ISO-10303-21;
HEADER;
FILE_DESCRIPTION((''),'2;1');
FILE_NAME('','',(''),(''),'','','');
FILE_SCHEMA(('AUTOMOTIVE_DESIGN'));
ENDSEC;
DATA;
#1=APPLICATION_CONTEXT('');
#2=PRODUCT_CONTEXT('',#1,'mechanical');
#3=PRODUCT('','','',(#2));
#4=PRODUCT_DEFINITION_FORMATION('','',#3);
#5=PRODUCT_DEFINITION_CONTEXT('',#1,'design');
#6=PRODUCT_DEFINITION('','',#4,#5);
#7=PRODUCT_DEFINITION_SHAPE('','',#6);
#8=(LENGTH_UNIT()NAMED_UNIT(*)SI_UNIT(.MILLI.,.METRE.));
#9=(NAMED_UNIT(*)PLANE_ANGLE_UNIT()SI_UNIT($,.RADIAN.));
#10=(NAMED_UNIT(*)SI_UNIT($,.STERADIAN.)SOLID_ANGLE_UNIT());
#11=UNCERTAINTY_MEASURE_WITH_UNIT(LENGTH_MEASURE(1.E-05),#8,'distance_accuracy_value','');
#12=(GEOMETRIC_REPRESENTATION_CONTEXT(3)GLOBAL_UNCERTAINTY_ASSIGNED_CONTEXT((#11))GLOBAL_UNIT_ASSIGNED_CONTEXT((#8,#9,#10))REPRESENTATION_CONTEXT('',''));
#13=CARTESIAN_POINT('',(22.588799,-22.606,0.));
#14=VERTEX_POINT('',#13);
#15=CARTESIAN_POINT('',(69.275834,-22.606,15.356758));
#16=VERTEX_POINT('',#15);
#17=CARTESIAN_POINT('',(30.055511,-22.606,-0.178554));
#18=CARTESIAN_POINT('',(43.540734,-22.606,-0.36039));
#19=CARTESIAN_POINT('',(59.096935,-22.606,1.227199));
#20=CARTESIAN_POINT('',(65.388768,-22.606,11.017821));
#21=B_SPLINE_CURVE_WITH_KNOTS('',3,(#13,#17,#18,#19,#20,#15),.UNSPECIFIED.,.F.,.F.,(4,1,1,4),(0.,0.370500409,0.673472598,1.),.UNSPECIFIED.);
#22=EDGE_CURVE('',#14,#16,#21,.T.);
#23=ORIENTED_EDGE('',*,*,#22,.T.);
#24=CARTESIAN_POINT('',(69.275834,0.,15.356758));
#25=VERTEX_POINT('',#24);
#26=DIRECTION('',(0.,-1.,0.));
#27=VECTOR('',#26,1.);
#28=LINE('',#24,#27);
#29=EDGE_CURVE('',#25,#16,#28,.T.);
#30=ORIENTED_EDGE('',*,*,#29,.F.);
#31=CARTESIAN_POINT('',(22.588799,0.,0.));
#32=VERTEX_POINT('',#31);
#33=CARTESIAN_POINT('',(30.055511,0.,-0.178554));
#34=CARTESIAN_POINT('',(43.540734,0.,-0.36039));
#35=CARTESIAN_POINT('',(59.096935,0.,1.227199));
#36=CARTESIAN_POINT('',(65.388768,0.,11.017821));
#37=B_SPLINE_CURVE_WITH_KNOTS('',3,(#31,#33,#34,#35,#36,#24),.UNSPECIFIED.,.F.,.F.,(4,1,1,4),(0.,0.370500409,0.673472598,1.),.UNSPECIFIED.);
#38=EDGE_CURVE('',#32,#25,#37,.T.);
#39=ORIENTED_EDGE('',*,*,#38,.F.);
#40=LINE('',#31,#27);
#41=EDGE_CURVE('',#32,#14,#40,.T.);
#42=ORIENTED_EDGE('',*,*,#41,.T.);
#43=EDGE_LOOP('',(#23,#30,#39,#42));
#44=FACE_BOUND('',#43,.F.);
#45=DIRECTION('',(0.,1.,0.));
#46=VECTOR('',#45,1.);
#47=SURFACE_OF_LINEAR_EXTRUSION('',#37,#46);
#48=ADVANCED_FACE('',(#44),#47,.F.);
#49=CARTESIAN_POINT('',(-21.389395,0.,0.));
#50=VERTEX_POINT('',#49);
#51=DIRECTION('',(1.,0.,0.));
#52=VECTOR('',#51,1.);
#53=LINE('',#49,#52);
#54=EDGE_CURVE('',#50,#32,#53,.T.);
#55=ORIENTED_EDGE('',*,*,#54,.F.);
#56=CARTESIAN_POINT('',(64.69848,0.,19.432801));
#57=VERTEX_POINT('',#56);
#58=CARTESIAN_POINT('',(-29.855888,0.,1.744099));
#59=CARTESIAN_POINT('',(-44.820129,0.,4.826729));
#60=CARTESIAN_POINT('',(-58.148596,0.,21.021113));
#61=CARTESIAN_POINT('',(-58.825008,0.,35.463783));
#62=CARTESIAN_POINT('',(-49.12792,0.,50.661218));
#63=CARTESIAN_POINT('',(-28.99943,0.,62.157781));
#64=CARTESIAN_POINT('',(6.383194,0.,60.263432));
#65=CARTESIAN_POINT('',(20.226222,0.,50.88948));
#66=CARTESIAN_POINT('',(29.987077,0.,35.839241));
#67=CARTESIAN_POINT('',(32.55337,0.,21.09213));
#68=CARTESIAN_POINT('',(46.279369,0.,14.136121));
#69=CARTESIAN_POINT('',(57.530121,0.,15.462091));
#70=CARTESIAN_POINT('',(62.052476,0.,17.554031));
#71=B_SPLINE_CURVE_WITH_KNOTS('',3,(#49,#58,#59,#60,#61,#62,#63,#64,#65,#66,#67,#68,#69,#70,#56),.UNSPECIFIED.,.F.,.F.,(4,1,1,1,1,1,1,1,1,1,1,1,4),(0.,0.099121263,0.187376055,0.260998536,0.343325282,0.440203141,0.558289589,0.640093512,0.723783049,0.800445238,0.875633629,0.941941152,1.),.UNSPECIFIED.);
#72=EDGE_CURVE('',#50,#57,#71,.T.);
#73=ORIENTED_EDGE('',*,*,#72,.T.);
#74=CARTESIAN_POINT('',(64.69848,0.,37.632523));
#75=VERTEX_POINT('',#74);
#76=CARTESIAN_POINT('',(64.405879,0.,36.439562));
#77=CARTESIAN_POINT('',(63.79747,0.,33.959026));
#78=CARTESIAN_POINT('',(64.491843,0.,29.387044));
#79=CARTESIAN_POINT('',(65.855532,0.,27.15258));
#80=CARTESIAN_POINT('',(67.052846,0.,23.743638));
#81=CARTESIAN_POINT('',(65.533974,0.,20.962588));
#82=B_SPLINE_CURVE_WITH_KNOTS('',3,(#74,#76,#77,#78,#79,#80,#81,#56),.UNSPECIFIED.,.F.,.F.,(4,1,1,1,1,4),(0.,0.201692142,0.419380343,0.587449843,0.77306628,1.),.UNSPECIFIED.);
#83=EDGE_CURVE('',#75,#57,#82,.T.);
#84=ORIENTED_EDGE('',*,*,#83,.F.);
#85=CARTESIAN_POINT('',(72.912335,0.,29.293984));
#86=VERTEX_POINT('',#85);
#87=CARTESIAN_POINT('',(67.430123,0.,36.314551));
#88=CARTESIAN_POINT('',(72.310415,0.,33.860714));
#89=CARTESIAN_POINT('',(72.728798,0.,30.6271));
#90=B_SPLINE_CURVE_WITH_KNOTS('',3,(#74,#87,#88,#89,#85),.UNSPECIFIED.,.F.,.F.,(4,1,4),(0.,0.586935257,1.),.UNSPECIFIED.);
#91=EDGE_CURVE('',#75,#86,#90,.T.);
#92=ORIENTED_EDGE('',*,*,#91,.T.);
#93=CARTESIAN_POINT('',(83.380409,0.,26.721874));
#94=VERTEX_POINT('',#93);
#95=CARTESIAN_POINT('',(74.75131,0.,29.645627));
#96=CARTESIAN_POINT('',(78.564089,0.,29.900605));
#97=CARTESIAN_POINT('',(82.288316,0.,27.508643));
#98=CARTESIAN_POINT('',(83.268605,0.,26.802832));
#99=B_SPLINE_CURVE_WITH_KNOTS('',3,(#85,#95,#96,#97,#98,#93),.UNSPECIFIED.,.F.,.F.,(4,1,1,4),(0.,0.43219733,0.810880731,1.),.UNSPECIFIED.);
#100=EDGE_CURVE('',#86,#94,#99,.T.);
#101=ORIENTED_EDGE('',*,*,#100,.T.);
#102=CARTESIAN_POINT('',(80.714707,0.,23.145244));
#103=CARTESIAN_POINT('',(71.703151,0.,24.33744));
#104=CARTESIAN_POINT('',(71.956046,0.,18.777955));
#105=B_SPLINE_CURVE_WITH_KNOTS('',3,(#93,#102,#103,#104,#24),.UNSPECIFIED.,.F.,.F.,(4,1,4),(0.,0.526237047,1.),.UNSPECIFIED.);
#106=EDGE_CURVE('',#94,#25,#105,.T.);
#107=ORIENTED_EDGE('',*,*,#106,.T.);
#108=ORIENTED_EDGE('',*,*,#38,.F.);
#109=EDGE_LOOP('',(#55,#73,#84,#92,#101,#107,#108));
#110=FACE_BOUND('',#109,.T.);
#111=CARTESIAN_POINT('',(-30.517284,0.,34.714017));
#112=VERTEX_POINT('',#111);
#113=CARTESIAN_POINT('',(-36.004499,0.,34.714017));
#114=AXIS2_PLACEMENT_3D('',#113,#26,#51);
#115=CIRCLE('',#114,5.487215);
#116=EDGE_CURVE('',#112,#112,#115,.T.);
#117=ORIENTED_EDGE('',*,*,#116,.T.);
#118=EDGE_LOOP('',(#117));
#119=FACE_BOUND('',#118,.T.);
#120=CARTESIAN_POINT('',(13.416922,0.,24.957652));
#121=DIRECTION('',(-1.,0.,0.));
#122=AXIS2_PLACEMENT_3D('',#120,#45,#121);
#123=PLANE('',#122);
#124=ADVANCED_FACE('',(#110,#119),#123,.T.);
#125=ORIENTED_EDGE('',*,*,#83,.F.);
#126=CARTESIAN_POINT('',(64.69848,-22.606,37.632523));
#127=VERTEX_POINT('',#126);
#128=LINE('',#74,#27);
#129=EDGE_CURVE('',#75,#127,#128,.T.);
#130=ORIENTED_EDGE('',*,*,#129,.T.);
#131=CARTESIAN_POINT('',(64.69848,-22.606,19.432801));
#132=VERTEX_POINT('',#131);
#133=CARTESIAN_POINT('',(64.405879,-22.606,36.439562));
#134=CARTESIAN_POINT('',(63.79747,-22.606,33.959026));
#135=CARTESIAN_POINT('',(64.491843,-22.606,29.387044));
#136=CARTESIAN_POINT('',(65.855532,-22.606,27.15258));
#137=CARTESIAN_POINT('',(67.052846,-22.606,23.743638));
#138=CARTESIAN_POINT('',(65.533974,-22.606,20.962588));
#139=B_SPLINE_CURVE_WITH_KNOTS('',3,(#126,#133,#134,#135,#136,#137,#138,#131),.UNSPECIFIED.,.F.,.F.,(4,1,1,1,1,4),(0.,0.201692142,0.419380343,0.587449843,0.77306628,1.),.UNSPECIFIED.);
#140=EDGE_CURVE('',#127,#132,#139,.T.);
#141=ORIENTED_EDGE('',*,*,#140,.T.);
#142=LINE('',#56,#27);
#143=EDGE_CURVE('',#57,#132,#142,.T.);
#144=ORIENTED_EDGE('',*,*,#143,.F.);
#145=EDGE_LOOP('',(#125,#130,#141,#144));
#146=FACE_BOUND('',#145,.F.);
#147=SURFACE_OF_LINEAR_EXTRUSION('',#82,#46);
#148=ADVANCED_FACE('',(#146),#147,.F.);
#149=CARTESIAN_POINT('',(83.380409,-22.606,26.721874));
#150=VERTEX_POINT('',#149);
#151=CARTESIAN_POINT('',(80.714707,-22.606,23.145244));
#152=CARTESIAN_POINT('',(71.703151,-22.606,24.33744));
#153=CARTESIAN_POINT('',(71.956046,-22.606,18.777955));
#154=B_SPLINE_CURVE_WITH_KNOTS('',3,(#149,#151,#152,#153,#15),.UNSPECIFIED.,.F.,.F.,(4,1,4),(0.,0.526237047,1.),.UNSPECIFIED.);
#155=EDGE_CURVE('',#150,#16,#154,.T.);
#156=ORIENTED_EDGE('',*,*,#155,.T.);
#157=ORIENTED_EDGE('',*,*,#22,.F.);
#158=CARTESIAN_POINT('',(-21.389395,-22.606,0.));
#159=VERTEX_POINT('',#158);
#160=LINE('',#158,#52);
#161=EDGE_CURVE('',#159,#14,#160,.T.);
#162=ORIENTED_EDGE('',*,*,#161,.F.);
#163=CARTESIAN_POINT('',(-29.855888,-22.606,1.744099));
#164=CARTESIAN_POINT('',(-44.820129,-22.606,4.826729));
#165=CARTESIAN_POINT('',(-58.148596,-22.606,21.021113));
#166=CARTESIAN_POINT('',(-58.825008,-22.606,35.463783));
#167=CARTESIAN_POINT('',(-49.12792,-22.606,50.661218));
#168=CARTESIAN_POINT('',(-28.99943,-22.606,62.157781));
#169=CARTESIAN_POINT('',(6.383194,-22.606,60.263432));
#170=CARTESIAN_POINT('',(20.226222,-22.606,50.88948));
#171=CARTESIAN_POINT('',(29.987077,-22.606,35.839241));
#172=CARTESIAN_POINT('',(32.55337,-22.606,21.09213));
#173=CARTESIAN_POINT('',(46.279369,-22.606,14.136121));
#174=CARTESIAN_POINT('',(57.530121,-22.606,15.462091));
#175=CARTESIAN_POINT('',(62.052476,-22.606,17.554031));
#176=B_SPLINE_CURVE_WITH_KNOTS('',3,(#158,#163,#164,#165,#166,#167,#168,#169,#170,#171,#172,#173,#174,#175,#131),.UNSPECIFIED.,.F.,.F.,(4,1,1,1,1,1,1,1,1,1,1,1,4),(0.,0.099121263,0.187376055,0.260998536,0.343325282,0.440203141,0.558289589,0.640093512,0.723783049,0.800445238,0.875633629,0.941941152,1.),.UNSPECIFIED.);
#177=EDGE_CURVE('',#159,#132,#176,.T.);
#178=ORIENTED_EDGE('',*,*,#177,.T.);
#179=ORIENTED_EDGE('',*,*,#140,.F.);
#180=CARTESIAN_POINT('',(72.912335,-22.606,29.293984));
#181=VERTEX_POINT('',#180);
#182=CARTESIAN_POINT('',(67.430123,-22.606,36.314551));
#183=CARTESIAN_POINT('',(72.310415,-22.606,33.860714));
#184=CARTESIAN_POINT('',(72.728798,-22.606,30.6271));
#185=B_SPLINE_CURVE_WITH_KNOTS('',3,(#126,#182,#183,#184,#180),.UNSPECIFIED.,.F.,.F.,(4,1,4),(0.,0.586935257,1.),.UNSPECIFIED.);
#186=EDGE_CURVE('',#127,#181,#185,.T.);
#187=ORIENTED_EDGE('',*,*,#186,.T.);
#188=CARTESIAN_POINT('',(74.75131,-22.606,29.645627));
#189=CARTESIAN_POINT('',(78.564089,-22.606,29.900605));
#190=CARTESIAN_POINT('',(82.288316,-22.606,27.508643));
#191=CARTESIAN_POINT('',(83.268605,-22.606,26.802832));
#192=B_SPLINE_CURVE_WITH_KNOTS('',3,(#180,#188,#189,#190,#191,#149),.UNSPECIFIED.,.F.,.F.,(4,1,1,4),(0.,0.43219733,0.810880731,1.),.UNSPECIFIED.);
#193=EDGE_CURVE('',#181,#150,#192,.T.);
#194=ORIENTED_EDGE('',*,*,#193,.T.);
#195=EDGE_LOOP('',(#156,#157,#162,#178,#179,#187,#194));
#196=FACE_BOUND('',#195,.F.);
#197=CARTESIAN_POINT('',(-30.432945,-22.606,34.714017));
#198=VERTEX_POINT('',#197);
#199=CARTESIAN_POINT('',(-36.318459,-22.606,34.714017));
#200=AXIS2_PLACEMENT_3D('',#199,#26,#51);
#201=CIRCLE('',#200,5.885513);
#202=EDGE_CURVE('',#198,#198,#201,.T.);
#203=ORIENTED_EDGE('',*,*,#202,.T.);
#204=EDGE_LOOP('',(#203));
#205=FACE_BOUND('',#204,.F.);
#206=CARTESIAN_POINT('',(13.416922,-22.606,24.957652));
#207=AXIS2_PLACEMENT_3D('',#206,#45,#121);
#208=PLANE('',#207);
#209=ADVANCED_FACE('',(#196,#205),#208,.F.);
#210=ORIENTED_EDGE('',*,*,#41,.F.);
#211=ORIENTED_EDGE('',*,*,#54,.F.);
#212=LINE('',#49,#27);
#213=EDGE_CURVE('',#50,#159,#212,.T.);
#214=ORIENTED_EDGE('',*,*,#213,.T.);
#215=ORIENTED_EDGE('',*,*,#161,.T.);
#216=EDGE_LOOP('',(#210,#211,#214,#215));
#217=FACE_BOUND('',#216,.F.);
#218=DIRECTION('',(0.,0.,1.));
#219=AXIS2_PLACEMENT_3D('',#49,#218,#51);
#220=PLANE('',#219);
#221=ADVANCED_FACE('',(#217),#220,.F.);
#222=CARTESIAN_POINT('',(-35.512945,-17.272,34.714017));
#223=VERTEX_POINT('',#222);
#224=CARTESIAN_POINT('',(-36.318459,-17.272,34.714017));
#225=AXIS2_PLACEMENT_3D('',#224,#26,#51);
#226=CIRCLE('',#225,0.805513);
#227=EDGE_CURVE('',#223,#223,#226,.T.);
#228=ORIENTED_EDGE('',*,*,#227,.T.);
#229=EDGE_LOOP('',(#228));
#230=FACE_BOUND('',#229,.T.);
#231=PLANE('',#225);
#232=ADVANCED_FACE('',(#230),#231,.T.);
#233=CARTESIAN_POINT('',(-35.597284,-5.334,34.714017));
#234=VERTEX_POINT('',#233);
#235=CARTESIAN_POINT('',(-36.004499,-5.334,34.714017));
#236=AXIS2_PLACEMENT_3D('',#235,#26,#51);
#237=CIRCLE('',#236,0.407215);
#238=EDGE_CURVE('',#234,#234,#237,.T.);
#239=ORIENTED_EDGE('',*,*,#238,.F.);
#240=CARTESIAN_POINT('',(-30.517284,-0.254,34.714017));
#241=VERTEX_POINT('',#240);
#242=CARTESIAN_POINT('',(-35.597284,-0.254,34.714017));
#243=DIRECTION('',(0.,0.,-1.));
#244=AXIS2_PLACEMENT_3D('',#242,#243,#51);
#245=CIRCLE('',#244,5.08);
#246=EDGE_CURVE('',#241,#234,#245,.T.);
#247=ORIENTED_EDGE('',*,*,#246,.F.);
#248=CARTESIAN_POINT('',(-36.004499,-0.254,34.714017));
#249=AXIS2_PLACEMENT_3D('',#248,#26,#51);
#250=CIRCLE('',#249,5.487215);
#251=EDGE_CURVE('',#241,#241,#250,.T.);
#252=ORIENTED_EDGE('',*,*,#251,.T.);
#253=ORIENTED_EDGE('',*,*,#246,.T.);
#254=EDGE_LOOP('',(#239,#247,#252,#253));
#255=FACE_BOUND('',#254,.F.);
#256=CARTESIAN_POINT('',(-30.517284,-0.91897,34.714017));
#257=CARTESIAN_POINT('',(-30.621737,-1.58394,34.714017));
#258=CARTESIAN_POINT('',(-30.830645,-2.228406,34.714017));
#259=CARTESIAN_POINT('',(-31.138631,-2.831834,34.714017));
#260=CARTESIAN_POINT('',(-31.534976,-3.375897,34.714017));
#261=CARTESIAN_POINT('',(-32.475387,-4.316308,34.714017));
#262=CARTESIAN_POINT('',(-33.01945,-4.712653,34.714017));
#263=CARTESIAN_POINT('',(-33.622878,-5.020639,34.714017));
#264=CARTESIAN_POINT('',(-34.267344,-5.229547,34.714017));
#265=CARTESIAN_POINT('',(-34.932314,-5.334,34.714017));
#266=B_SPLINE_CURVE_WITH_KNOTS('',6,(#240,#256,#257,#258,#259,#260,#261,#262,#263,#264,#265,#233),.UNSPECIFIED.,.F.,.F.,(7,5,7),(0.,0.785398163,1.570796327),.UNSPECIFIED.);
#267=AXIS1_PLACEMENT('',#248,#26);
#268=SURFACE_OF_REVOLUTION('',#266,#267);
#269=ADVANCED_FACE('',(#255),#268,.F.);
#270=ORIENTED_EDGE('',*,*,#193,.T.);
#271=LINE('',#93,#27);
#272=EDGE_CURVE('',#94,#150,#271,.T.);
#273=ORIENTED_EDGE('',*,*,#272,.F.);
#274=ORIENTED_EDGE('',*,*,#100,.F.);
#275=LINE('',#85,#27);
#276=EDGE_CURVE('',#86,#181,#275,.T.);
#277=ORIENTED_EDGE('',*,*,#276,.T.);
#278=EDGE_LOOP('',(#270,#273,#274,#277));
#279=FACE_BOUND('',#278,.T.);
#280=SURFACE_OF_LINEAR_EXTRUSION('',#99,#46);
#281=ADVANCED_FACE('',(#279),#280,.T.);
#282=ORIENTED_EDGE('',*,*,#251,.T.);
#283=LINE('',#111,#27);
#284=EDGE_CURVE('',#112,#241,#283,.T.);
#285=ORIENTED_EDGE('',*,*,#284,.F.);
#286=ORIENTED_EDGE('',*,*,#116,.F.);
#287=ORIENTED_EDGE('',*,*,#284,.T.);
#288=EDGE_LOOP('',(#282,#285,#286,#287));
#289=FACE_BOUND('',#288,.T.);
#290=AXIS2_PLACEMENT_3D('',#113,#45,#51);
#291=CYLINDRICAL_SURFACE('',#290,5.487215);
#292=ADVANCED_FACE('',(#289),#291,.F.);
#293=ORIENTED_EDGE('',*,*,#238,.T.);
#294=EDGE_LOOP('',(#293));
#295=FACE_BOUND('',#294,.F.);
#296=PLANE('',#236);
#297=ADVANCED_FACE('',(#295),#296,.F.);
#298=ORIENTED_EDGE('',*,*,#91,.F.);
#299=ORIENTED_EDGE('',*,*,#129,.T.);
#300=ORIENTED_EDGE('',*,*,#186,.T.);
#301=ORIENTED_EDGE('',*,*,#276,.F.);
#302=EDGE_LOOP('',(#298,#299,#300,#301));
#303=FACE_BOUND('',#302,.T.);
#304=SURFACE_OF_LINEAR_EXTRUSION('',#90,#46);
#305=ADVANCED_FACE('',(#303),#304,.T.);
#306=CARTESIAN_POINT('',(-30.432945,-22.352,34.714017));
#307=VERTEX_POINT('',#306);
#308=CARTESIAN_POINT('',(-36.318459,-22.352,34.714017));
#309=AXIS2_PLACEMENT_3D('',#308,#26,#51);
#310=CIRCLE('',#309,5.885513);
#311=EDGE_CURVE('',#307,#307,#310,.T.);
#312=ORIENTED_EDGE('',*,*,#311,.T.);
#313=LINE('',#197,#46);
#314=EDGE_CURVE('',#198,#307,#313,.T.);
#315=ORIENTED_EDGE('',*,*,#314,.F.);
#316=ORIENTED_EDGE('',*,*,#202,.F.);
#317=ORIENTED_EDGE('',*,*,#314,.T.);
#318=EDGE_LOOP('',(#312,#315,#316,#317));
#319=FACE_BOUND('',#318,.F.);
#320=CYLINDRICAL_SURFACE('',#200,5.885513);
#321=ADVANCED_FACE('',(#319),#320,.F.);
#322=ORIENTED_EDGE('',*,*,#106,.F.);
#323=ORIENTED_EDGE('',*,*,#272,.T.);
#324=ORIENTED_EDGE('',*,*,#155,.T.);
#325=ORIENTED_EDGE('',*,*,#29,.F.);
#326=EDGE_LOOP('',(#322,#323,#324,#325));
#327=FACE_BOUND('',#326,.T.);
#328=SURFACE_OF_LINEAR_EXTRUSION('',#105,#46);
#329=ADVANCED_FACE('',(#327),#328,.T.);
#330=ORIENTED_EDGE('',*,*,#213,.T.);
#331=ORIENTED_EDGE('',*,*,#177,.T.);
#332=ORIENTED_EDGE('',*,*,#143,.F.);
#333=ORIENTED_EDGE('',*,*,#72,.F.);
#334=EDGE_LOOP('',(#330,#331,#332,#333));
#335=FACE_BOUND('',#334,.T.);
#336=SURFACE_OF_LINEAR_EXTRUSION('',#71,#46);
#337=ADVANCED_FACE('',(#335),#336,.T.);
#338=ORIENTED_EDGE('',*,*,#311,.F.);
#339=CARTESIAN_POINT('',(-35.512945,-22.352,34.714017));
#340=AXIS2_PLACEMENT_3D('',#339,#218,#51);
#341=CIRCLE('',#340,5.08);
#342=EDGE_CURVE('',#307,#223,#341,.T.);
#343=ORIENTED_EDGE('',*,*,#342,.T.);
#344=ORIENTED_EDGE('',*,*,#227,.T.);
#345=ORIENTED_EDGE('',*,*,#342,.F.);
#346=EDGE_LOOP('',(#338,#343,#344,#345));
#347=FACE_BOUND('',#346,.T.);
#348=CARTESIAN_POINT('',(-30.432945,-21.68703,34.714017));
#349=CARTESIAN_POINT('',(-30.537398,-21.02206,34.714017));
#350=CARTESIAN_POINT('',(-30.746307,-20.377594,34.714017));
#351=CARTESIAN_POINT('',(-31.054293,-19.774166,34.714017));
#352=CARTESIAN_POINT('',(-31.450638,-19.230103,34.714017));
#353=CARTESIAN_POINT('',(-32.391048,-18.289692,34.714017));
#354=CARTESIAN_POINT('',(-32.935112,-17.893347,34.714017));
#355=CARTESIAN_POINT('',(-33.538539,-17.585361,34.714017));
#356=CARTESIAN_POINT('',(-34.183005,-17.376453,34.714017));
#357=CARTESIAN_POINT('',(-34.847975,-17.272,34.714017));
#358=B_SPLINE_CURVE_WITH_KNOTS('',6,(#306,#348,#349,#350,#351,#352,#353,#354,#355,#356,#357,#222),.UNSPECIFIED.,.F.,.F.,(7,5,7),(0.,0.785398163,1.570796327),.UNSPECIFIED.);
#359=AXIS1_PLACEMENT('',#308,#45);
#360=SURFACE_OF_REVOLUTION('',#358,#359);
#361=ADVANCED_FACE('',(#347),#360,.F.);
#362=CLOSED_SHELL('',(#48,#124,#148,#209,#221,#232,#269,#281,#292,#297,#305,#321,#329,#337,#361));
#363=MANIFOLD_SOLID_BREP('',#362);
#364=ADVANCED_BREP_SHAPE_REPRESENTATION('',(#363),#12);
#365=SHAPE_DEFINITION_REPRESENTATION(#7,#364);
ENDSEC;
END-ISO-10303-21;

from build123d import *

# Parameters (mm, degrees)
F2_DEPTH = 22.606
F1_R     = 5.4872146103
F3_DEPTH = 5.334
F4_R     = 5.8855134318
F5_DEPTH = 5.334
F6_R     = 5.08


with BuildPart() as f2:
    # F0 (on Front) → F2 (new body)
    with BuildSketch(Plane.XZ):
        with BuildLine():
            add(Edge.make_bspline(
                [(-21.3893949986, 0), (-29.8558876356, 1.7440990172), (-44.8201286511, 4.8267289382), (-58.1485958076, 21.0211129509), (-58.8250075345, 35.463783339), (-49.1279198809, 50.6612182509), (-28.9994300098, 62.1577812938), (6.3831936581, 60.2634319806), (20.2262222776, 50.8894796309), (29.9870765203, 35.8392411079), (32.55337013, 21.0921297315), (46.2793685021, 14.136121022), (57.5301206398, 15.4620906271), (62.0524756017, 17.554031261), (64.6984800696, 19.4328007384)],
                knots=[0, 0, 0, 0, 0.0991212632, 0.187376055, 0.2609985361, 0.3433252819, 0.4402031409, 0.5582895887, 0.6400935122, 0.7237830492, 0.8004452382, 0.8756336289, 0.9419411522, 1, 1, 1, 1], degree=3))
            Line((-21.3893949986, 0), (22.5887987763, 0))
            add(Edge.make_bspline(
                [(22.5887987763, 0), (30.0555107451, -0.1785538454), (43.5407340665, -0.36039021), (59.0969349792, 1.2271987848), (65.3887676773, 11.0178212577), (69.2758336663, 15.3567576781)],
                knots=[0, 0, 0, 0, 0.3705004094, 0.6734725978, 1, 1, 1, 1], degree=3))
            add(Edge.make_bspline(
                [(83.3804085851, 26.721874252), (80.7147073888, 23.1452443157), (71.7031514756, 24.3374401975), (71.9560459256, 18.7779553235), (69.2758336663, 15.3567576781)],
                knots=[0, 0, 0, 0, 0.5262370466, 1, 1, 1, 1], degree=3))
            add(Edge.make_bspline(
                [(72.9123353958, 29.2939841747), (74.7513096378, 29.6456268441), (78.5640885925, 29.9006053022), (82.2883164725, 27.5086432622), (83.2686051726, 26.8028322607), (83.3804085851, 26.721874252)],
                knots=[0, 0, 0, 0, 0.43219733, 0.8108807309, 1, 1, 1, 1], degree=3))
            add(Edge.make_bspline(
                [(64.6984800696, 37.6325226733), (67.4301230597, 36.3145505537), (72.3104152667, 33.8607139009), (72.7287979003, 30.6270999302), (72.9123353958, 29.2939841747)],
                knots=[0, 0, 0, 0, 0.5869352567, 1, 1, 1, 1], degree=3))
            add(Edge.make_bspline(
                [(64.6984800696, 37.6325226733), (64.4058786627, 36.4395615625), (63.7974698409, 33.9590264504), (64.4918432603, 29.3870442845), (65.8555320597, 27.1525797351), (67.0528462074, 23.7436378032), (65.5339742632, 20.9625880045), (64.6984800696, 19.4328007384)],
                knots=[0, 0, 0, 0, 0.2016921417, 0.4193803427, 0.5874498429, 0.7730662798, 1, 1, 1, 1], degree=3))
        make_face()
    extrude(amount=F2_DEPTH)

    # F1 (on Front) → F3 (cut)
    with BuildSketch(Plane.XZ):
        with Locations((-36.004498601, 34.7140170634)):
            Circle(F1_R)
    extrude(amount=F3_DEPTH, mode=Mode.SUBTRACT)

    # F4 (on face) → F5 (cut)
    with BuildSketch(Plane.XZ.offset(22.606)):
        with Locations((-36.3184586167, 34.7140170634)):
            Circle(F4_R)
    extrude(amount=-F5_DEPTH, mode=Mode.SUBTRACT)

    # F6
    f6_edges = [f2.edges().sort_by_distance(p)[0] for p in [
        (-42.203972, -17.272, 34.714017),
        (-41.491713, -5.334, 34.714017),
    ]]
    fillet(f6_edges, radius=F6_R)


solid = f2.part
